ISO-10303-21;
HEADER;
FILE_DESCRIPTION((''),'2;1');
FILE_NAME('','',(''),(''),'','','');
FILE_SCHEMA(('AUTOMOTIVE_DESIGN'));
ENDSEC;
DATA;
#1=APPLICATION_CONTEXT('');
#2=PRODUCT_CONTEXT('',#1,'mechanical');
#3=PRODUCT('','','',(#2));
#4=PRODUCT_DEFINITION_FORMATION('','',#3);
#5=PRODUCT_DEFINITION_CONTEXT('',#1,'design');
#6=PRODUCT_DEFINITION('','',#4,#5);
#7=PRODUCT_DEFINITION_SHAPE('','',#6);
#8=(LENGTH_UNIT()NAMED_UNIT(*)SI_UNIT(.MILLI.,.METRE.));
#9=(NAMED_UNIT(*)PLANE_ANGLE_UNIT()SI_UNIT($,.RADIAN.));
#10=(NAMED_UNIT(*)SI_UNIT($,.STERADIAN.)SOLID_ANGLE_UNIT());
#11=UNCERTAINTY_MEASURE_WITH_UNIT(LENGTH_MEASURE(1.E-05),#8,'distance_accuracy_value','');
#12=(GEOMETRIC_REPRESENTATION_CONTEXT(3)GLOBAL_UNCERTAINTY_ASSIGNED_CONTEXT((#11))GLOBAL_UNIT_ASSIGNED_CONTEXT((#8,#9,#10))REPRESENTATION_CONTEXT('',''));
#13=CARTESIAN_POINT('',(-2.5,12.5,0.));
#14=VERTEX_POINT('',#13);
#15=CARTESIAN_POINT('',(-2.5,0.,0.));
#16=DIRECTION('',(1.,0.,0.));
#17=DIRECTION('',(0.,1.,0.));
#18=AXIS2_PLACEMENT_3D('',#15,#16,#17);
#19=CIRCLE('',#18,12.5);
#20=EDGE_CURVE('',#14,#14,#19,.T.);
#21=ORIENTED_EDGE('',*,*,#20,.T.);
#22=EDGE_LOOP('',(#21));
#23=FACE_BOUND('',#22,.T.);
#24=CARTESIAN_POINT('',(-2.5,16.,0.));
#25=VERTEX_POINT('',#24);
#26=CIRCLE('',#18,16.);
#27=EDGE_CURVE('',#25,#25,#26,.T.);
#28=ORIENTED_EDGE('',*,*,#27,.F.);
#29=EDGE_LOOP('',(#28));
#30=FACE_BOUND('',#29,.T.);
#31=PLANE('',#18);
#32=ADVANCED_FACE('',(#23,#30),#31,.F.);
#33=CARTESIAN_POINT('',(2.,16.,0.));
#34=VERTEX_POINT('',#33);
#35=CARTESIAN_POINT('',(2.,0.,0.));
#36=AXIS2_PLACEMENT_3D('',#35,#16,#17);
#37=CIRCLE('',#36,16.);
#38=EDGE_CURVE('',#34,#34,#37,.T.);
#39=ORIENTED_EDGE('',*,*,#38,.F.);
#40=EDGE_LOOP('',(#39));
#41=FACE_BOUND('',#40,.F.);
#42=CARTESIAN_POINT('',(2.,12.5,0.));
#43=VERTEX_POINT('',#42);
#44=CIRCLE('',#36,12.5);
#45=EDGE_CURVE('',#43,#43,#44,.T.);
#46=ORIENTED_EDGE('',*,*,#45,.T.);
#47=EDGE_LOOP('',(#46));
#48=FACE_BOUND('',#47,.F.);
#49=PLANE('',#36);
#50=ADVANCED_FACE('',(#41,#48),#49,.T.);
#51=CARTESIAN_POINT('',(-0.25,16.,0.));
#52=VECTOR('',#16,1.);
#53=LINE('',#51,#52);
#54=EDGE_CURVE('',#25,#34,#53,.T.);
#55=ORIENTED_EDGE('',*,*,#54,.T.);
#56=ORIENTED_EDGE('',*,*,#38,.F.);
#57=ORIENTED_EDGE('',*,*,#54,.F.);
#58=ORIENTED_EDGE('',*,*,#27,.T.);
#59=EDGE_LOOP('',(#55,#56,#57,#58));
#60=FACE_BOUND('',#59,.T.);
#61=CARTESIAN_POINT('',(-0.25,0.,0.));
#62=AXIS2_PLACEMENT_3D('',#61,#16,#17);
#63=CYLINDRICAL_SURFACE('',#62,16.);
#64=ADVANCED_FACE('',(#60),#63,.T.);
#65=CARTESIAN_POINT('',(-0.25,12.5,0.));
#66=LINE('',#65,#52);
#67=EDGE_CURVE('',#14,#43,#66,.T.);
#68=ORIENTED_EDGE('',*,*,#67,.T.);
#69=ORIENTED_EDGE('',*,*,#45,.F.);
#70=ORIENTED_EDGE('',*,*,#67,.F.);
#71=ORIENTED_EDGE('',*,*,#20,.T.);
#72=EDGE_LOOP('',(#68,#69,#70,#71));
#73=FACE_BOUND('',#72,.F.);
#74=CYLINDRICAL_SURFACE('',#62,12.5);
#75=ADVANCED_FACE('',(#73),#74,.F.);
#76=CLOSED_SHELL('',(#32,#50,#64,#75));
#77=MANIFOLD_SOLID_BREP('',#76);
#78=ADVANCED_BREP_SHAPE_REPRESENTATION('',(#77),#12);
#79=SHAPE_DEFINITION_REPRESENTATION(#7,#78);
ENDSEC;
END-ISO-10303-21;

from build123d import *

# Parameters (mm, degrees)
SKIZZE1_W = 4.5
SKIZZE1_H = 3.5


with BuildPart() as part:
    # Skizze1 → Rotation1 (revolve)
    with BuildSketch(Plane.XY):
        with Locations((-0.25, 14.25)):
            Rectangle(SKIZZE1_W, SKIZZE1_H)
    revolve(axis=Axis((-5.638304677, 0, 0), (1, 0, 0)))


solid = part.part
